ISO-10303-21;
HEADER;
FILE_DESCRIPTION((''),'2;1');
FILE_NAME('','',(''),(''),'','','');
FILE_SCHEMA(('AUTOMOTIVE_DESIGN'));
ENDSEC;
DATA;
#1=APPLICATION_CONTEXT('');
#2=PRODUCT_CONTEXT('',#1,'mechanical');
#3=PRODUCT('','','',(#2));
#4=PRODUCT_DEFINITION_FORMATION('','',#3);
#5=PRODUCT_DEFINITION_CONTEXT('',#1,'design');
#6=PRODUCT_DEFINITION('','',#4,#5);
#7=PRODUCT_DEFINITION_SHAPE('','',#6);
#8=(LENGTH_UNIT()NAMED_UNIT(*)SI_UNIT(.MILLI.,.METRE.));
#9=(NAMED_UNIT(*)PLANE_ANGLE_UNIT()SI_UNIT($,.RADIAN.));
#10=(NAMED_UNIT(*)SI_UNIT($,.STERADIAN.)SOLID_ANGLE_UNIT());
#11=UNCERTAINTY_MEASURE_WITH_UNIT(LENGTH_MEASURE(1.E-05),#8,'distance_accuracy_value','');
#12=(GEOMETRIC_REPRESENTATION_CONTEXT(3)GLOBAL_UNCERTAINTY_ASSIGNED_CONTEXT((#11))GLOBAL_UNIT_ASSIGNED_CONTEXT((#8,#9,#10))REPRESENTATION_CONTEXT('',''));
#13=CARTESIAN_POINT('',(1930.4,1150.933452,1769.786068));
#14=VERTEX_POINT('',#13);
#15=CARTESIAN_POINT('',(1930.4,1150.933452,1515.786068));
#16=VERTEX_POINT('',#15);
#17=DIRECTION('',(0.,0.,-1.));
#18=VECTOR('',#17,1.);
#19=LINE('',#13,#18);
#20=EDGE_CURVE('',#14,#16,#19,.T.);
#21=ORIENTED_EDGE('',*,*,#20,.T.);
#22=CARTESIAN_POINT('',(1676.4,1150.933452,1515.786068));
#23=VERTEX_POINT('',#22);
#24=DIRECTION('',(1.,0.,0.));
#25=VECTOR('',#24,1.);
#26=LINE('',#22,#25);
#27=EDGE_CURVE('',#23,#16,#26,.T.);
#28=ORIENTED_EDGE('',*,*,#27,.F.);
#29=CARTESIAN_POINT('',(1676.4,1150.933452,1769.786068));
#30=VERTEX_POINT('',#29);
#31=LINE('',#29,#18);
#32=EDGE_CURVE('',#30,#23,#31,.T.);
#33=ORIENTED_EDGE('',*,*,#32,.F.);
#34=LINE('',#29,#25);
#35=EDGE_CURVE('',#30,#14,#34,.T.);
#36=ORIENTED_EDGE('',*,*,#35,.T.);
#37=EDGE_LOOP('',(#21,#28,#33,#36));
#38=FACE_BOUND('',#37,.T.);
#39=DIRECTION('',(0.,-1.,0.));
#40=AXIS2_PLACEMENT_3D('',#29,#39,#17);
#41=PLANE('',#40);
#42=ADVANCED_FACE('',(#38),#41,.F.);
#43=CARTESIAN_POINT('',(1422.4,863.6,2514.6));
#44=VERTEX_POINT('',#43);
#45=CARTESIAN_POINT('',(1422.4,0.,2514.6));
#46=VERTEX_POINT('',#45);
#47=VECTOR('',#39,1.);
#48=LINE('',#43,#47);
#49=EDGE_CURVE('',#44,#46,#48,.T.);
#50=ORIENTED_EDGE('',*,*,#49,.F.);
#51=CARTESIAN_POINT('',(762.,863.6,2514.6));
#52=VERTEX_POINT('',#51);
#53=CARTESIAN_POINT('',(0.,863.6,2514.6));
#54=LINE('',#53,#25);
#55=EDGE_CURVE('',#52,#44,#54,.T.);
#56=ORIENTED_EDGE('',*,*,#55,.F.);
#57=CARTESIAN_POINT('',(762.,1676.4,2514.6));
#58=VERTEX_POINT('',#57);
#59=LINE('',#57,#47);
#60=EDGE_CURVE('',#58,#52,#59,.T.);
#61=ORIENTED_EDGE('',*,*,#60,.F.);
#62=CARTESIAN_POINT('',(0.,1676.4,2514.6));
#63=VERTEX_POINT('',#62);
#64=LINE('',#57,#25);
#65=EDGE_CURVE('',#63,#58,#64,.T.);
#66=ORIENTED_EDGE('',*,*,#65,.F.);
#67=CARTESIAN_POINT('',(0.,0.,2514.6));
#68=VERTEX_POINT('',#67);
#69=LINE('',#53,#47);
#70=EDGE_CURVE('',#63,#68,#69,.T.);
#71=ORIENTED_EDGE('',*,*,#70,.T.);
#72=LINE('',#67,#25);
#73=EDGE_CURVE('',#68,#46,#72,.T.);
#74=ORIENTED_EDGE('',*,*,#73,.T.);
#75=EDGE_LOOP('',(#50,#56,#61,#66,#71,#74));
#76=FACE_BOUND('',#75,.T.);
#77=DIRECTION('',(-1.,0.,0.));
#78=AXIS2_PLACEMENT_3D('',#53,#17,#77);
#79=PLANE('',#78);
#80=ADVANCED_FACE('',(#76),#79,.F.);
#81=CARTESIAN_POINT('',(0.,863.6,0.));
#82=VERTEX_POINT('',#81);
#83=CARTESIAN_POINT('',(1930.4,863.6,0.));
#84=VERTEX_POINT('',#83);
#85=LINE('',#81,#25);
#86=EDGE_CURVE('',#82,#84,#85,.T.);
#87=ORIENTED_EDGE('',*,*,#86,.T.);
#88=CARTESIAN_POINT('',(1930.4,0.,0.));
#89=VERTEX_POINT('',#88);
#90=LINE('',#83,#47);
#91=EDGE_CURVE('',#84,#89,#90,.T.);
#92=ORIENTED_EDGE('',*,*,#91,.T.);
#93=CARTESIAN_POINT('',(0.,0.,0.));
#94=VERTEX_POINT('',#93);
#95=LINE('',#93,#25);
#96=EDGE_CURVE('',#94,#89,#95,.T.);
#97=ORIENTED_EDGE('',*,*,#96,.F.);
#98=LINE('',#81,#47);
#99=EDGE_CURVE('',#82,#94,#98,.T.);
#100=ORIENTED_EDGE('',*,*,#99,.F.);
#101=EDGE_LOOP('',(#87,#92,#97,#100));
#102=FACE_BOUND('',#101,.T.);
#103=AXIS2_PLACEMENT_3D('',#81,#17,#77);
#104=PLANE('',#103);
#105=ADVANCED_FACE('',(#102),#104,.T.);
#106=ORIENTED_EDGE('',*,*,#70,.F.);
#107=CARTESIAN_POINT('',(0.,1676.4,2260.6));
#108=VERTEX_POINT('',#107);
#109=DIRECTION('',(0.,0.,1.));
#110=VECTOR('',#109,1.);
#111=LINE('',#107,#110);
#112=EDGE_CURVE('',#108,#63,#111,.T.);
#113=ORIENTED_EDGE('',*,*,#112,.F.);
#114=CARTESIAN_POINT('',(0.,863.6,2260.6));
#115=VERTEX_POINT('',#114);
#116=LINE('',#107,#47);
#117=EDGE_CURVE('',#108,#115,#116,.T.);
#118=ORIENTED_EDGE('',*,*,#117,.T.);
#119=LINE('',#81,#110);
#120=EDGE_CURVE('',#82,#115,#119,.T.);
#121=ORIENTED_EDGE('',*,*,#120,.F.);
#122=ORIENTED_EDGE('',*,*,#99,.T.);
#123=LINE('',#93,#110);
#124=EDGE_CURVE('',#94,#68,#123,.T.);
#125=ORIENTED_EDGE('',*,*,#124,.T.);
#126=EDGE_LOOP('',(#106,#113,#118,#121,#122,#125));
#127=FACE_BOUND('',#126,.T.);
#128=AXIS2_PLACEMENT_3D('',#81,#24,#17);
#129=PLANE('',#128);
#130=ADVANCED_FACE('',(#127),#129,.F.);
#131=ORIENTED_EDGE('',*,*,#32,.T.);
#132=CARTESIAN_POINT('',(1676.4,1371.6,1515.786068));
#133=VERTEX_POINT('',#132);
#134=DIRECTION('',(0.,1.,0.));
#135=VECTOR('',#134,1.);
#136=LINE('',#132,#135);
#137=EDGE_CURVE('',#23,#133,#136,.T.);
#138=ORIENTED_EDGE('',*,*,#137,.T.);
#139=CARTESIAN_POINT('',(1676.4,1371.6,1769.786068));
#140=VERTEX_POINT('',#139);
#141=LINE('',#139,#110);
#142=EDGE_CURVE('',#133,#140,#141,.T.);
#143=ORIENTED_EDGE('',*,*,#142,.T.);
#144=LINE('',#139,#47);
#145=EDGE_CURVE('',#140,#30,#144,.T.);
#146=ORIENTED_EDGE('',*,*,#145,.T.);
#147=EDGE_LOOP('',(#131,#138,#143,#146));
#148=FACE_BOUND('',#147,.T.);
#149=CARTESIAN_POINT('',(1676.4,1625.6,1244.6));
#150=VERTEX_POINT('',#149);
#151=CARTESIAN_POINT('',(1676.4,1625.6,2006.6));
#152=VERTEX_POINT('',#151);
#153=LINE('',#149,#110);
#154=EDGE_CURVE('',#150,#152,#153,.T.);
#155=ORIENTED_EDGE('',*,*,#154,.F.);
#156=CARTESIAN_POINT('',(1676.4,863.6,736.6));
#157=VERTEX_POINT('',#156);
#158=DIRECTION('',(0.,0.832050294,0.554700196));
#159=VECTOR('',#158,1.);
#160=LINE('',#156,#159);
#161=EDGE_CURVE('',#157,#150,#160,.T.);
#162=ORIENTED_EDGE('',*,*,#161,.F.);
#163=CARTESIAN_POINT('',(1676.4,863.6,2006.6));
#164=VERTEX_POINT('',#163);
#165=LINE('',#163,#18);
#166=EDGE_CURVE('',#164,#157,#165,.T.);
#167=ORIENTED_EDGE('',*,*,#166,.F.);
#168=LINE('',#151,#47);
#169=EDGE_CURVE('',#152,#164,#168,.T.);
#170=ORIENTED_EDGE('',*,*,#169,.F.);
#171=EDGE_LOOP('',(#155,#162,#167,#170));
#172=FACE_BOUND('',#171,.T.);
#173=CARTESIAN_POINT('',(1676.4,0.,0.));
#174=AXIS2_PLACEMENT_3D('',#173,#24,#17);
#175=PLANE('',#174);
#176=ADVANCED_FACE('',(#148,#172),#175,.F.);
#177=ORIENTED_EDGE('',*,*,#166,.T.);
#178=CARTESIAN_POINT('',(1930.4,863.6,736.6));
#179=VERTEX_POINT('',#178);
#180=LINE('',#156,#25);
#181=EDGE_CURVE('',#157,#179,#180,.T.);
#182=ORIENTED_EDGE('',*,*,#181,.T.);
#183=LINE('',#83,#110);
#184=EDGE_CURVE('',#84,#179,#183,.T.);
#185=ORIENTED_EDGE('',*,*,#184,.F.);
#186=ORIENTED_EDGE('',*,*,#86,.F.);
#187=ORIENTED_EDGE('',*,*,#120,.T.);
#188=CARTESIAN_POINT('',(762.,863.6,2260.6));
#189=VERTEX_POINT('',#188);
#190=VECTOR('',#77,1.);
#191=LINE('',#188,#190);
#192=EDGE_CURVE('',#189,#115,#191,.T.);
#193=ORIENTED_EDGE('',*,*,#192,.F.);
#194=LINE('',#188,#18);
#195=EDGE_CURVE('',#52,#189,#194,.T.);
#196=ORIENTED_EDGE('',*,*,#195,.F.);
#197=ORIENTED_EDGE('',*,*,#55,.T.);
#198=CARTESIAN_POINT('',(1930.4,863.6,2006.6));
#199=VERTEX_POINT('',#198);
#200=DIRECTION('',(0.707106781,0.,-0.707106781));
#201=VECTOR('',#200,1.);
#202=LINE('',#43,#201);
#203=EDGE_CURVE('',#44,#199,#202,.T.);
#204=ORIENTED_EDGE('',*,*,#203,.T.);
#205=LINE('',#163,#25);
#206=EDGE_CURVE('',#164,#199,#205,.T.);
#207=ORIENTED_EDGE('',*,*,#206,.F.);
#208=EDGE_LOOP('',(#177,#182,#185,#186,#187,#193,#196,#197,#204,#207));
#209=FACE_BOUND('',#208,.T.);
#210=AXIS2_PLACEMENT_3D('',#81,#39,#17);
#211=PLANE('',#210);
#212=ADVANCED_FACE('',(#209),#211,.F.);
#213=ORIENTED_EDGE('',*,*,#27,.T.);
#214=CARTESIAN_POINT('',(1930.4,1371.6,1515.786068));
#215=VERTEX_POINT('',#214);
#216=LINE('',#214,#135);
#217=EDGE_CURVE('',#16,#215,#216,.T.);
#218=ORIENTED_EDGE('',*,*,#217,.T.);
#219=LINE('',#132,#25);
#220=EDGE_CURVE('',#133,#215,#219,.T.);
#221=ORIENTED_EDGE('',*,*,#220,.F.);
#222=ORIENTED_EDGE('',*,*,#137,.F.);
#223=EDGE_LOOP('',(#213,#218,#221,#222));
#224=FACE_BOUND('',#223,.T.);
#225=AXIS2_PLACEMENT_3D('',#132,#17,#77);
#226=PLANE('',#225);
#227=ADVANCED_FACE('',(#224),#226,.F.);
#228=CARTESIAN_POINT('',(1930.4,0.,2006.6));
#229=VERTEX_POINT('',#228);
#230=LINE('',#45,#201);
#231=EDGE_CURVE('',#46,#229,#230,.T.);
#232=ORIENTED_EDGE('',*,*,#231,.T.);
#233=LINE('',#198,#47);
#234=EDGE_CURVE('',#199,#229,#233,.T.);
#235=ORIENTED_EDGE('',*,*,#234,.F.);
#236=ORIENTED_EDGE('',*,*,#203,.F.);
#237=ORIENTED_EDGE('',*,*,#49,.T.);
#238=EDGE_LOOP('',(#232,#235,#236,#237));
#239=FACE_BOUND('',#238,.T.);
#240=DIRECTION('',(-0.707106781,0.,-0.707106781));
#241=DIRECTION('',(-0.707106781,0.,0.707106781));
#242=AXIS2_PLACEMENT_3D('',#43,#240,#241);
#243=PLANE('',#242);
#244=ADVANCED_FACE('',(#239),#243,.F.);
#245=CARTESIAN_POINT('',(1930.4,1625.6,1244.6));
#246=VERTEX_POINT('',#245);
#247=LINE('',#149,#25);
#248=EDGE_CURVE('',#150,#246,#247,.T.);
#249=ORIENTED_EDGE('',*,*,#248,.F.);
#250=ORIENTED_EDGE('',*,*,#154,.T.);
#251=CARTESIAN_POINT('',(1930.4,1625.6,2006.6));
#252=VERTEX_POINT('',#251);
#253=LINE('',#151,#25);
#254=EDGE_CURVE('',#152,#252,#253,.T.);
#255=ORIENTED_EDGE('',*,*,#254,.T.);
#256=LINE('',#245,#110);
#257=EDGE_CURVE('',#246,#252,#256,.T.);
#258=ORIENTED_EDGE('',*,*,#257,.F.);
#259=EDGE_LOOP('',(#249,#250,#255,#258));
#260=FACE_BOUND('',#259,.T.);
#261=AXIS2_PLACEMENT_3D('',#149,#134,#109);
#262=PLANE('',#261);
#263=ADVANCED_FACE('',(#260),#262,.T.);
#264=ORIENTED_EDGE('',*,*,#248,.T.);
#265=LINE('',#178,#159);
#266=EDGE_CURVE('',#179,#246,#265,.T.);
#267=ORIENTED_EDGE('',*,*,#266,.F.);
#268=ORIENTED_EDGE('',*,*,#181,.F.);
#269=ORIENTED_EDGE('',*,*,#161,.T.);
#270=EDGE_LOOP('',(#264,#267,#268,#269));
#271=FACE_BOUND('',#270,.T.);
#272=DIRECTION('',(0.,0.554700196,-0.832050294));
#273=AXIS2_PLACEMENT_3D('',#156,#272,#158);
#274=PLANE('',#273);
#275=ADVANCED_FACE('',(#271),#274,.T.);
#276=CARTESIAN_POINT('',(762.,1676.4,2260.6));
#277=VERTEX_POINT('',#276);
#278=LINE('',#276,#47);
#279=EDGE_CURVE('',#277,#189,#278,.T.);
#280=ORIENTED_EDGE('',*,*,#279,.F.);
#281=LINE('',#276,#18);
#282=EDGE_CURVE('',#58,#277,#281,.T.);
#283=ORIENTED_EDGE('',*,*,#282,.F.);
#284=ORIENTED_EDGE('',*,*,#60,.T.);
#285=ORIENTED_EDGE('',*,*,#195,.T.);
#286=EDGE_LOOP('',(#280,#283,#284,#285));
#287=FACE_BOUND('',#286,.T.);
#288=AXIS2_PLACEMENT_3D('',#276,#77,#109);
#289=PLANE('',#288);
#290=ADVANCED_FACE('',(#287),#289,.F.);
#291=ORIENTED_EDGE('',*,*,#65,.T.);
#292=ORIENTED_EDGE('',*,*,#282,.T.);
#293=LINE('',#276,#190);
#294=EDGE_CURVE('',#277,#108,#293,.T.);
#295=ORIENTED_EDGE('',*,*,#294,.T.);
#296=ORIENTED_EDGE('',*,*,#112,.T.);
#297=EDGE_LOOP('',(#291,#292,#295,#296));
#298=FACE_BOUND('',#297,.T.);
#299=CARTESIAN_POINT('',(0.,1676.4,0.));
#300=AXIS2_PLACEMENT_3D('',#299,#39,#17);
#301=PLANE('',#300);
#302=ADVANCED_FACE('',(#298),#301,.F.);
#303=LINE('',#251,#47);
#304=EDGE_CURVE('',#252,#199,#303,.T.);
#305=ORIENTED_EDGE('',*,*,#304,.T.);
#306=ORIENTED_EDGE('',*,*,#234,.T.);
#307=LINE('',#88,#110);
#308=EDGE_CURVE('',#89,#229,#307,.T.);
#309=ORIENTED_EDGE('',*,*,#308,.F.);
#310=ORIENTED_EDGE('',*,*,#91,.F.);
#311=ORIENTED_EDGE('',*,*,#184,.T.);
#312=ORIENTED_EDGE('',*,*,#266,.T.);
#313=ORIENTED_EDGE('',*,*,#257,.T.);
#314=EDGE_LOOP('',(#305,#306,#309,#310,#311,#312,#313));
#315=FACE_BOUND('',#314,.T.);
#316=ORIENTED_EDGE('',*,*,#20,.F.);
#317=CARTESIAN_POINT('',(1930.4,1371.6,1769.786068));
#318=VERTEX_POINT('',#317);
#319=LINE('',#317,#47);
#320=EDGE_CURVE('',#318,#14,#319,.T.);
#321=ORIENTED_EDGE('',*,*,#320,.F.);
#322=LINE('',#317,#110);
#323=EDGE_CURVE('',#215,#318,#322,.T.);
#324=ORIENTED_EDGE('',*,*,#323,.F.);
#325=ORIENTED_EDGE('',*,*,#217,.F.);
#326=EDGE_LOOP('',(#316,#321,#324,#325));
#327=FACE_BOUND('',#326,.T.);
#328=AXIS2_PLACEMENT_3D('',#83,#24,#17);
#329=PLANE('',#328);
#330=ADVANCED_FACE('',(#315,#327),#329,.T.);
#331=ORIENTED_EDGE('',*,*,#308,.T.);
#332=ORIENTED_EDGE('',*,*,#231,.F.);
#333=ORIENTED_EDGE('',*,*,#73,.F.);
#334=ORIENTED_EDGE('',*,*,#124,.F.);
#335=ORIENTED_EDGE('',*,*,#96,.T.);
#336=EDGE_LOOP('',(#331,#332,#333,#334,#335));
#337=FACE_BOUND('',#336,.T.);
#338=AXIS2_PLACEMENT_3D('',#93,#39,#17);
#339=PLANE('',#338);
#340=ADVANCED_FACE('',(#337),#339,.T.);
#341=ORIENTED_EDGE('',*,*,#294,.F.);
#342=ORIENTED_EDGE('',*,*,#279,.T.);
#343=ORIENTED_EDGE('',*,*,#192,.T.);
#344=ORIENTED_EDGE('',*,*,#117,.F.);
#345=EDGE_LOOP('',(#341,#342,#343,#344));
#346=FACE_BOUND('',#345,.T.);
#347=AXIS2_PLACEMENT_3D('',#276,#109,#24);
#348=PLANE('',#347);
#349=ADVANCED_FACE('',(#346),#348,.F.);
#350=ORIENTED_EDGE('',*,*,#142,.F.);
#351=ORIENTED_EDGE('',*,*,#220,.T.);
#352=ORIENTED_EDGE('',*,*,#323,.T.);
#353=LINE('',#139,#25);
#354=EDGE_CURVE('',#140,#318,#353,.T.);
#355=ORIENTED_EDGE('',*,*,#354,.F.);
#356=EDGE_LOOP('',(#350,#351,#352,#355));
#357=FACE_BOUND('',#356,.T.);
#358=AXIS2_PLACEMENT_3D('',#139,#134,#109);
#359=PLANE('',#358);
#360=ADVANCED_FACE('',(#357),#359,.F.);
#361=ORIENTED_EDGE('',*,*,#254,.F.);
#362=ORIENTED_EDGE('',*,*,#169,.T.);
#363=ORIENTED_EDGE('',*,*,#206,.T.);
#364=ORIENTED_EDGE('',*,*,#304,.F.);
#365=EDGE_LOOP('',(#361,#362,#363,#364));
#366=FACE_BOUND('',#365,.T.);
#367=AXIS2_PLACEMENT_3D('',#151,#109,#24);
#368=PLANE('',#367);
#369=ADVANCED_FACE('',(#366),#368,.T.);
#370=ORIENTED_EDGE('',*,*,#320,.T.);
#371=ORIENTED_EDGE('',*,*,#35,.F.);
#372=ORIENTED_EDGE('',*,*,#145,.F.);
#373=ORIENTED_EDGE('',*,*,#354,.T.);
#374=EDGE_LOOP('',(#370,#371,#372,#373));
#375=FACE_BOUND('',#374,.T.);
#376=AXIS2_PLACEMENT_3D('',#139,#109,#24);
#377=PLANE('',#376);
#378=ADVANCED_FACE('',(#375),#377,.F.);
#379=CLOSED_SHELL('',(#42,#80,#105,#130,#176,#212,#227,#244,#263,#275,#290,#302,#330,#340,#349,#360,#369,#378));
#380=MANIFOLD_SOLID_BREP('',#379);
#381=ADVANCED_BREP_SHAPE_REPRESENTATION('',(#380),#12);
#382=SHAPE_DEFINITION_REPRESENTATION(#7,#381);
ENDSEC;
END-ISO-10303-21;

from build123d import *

# Parameters (mm, degrees)
BOSS_EXTRUDE1_DEPTH = 863.6
SKETCH4_W           = 762
SKETCH4_H           = 254
BOSS_EXTRUDE2_DEPTH = 812.8
SKETCH8_W           = 254
SKETCH8_H           = 220.666548299
BOSS_EXTRUDE4_DEPTH = 254


with BuildPart() as part:
    # Sketch1 → Boss-Extrude1 (new body)
    with BuildSketch(Plane(origin=(0, 0, 0), x_dir=(1, 0, 0), z_dir=(0, 1, 0))):
        Polygon((0, 0), (0, -2514.6), (1422.4, -2514.6), (1930.4, -2006.6), (1930.4, 0), align=None)
    extrude(amount=BOSS_EXTRUDE1_DEPTH)

    # Sketch4 → Boss-Extrude2 (add)
    with BuildSketch(Plane(origin=(0, 863.6, 0), x_dir=(1, 0, 0), z_dir=(0, 1, 0))):
        with Locations((381, -2387.6)):
            Rectangle(SKETCH4_W, SKETCH4_H)
    extrude(amount=BOSS_EXTRUDE2_DEPTH)

    # Sketch8 → Boss-Extrude4 (add)
    with BuildSketch(Plane(origin=(1930.4, 0, 0), x_dir=(0, 0, -1), z_dir=(1, 0, 0))):
        Polygon((-2006.6, 863.6), (-736.6, 863.6), (-1244.6, 1625.6), (-2006.6, 1625.6), align=None)
        with Locations((-1642.786067738, 1261.266725851)):
            Rectangle(SKETCH8_W, SKETCH8_H, mode=Mode.SUBTRACT)
    extrude(amount=-BOSS_EXTRUDE4_DEPTH)


solid = part.part
